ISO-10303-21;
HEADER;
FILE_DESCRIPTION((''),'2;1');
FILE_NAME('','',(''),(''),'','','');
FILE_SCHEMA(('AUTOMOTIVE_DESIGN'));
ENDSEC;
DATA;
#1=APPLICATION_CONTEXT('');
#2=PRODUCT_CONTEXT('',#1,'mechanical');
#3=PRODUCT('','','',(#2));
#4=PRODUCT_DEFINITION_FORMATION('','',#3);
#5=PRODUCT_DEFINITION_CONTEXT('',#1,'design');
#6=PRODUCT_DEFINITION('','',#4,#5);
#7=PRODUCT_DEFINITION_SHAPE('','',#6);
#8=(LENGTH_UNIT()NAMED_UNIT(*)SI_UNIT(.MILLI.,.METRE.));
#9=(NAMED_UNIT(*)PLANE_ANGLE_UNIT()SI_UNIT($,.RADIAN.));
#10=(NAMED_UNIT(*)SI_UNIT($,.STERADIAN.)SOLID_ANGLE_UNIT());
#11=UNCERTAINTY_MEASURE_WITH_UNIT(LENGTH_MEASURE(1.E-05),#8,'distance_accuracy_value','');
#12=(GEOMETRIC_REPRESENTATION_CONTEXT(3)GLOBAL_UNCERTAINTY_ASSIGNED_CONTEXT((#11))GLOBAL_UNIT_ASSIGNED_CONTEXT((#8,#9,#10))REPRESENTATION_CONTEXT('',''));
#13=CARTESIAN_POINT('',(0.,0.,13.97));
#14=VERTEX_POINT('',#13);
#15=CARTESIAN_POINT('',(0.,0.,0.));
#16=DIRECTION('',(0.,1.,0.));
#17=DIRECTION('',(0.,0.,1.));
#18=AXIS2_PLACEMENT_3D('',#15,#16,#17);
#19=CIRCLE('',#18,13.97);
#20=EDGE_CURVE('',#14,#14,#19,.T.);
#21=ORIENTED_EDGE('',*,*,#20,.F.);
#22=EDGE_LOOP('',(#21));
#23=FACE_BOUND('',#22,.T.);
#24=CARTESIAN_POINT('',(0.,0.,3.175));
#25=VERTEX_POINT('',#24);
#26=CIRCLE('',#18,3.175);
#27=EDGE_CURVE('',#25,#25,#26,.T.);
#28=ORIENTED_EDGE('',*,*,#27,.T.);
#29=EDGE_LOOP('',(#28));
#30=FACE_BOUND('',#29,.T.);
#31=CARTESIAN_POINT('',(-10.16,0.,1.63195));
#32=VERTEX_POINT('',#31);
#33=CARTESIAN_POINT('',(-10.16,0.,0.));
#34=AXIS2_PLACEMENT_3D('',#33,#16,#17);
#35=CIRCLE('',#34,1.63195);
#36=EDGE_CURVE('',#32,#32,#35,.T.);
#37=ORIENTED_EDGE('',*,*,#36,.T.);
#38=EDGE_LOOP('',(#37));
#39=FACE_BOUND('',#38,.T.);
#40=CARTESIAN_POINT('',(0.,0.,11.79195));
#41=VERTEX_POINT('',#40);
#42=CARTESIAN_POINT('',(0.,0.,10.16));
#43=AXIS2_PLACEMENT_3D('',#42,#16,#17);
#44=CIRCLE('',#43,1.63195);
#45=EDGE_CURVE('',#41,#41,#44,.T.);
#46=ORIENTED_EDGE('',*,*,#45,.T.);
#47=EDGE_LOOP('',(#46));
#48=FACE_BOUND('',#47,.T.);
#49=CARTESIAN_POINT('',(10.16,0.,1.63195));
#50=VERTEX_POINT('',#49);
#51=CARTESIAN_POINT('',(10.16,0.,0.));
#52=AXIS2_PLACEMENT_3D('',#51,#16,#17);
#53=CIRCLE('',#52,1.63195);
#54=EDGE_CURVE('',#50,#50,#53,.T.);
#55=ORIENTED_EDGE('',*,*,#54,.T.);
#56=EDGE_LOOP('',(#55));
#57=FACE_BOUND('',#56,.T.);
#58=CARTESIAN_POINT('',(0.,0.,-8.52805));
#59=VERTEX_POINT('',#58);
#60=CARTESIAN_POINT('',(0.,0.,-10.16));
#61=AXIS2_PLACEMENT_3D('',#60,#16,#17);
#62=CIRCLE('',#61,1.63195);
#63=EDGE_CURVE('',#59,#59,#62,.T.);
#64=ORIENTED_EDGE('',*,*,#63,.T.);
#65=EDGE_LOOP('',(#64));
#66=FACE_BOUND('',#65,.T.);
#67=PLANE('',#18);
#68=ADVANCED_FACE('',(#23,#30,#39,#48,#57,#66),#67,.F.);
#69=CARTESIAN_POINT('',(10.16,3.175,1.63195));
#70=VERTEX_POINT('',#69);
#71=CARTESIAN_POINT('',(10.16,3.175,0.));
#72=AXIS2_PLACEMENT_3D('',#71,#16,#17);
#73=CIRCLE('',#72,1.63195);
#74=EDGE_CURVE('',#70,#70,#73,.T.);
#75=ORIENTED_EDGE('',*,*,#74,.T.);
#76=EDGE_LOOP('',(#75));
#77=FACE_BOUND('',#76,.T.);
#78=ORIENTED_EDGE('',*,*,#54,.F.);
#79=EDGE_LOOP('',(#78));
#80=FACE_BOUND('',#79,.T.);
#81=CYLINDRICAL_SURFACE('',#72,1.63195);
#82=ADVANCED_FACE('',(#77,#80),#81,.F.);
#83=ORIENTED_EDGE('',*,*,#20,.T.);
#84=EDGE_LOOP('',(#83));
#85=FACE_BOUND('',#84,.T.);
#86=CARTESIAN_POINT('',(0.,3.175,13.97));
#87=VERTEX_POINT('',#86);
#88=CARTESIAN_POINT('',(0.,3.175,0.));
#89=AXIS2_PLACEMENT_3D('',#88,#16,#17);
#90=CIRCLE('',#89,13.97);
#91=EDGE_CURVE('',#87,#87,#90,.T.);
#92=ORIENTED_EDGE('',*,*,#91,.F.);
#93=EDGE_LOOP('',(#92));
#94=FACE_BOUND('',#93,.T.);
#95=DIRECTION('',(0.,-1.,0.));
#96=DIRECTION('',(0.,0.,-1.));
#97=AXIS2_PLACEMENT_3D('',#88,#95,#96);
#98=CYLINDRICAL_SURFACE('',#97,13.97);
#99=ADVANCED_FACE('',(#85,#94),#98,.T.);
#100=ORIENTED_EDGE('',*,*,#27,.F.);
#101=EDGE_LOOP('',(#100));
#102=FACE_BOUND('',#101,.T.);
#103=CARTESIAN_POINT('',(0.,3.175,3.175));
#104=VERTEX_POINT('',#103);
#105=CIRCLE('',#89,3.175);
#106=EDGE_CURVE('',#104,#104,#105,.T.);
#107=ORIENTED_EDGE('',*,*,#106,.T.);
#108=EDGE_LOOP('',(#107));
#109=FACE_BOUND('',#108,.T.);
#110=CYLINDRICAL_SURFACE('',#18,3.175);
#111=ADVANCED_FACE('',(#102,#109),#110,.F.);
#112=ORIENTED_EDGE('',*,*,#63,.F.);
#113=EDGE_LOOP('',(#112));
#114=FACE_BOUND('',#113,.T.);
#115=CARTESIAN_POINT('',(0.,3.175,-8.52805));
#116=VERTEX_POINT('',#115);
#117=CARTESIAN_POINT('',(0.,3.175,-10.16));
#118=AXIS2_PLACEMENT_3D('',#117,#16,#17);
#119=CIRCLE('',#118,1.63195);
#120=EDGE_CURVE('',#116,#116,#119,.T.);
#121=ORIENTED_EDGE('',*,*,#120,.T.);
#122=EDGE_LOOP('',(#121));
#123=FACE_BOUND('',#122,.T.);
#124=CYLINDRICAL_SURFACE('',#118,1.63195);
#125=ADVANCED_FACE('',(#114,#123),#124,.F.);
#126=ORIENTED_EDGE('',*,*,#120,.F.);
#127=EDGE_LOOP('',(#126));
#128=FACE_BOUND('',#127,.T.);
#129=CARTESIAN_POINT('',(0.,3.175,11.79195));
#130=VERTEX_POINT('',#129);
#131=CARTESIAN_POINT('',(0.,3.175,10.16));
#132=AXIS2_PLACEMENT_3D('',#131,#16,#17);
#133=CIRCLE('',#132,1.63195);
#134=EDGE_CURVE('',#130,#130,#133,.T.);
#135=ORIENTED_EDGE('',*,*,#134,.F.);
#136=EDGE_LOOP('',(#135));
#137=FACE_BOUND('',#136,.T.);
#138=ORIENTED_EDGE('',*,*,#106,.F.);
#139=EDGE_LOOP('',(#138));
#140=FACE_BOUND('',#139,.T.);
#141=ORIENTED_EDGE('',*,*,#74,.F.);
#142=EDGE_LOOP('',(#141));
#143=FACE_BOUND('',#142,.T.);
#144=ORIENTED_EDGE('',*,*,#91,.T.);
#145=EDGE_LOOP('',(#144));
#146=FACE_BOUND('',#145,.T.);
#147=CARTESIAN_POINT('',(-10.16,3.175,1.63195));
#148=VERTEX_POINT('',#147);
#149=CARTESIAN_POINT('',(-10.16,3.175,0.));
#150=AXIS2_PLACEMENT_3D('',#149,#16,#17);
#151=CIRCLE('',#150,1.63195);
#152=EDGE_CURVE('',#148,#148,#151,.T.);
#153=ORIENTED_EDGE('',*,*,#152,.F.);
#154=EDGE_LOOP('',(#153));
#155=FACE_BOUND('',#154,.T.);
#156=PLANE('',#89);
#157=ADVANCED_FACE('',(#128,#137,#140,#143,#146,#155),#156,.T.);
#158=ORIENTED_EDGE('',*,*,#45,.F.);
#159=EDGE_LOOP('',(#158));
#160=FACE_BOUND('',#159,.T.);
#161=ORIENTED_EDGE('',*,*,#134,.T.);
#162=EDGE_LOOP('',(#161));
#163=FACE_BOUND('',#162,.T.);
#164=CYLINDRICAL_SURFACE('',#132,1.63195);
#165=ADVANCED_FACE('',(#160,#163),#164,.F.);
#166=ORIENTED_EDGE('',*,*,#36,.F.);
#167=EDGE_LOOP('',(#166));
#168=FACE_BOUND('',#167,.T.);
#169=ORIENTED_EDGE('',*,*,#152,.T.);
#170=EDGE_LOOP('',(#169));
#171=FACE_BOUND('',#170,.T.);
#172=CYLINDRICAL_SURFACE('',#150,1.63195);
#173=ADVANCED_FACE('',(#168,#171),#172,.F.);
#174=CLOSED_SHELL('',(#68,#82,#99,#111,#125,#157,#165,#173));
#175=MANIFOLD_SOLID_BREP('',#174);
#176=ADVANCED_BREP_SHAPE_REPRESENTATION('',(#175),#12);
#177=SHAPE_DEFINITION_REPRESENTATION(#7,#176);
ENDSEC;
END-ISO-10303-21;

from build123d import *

# Parameters (mm, degrees)
SKETCH1_R           = 13.97
BOSS_EXTRUDE1_DEPTH = 3.175
SKETCH2_R           = 3.175
CUT_EXTRUDE1_DEPTH  = 3.175
CIRPATTERN1_COUNT   = 4


with BuildPart() as part:
    # Sketch1 → Boss-Extrude1 (new body)
    with BuildSketch(Plane(origin=(0, 0, 0), x_dir=(1, 0, 0), z_dir=(0, 1, 0))):
        Circle(SKETCH1_R)
    extrude(amount=BOSS_EXTRUDE1_DEPTH)

    # Sketch2 → Cut-Extrude1 (cut)
    with BuildSketch(Plane(origin=(0, 3.175, 0), x_dir=(1, 0, 0), z_dir=(0, 1, 0))):
        Circle(SKETCH2_R)
    extrude(amount=-CUT_EXTRUDE1_DEPTH, mode=Mode.SUBTRACT)

    # Sketch3 → #4 Clearance Hole1 (revolve, cut)
    with BuildSketch(Plane(origin=(0, 3.175, -10.16), x_dir=(0, 0, 1), z_dir=(1, 0, 0))):
        Polygon((0, 0), (0, 11.140574487), (1.63195, 10.16), (1.63195, 0), align=None)
    f_4_clearance_hole1 = revolve(axis=Axis((0, 9.525, -10.16), (0, -1, 0)), mode=Mode.SUBTRACT)

    # CirPattern1: #4 Clearance Hole1 ×4 about axis
    cirpattern1_axis = Axis((0, 0, 0), (0, 1, 0))
    for i in range(1, CIRPATTERN1_COUNT):
        add(f_4_clearance_hole1.rotate(cirpattern1_axis, i * 360 / CIRPATTERN1_COUNT), mode=Mode.SUBTRACT)


solid = part.part
